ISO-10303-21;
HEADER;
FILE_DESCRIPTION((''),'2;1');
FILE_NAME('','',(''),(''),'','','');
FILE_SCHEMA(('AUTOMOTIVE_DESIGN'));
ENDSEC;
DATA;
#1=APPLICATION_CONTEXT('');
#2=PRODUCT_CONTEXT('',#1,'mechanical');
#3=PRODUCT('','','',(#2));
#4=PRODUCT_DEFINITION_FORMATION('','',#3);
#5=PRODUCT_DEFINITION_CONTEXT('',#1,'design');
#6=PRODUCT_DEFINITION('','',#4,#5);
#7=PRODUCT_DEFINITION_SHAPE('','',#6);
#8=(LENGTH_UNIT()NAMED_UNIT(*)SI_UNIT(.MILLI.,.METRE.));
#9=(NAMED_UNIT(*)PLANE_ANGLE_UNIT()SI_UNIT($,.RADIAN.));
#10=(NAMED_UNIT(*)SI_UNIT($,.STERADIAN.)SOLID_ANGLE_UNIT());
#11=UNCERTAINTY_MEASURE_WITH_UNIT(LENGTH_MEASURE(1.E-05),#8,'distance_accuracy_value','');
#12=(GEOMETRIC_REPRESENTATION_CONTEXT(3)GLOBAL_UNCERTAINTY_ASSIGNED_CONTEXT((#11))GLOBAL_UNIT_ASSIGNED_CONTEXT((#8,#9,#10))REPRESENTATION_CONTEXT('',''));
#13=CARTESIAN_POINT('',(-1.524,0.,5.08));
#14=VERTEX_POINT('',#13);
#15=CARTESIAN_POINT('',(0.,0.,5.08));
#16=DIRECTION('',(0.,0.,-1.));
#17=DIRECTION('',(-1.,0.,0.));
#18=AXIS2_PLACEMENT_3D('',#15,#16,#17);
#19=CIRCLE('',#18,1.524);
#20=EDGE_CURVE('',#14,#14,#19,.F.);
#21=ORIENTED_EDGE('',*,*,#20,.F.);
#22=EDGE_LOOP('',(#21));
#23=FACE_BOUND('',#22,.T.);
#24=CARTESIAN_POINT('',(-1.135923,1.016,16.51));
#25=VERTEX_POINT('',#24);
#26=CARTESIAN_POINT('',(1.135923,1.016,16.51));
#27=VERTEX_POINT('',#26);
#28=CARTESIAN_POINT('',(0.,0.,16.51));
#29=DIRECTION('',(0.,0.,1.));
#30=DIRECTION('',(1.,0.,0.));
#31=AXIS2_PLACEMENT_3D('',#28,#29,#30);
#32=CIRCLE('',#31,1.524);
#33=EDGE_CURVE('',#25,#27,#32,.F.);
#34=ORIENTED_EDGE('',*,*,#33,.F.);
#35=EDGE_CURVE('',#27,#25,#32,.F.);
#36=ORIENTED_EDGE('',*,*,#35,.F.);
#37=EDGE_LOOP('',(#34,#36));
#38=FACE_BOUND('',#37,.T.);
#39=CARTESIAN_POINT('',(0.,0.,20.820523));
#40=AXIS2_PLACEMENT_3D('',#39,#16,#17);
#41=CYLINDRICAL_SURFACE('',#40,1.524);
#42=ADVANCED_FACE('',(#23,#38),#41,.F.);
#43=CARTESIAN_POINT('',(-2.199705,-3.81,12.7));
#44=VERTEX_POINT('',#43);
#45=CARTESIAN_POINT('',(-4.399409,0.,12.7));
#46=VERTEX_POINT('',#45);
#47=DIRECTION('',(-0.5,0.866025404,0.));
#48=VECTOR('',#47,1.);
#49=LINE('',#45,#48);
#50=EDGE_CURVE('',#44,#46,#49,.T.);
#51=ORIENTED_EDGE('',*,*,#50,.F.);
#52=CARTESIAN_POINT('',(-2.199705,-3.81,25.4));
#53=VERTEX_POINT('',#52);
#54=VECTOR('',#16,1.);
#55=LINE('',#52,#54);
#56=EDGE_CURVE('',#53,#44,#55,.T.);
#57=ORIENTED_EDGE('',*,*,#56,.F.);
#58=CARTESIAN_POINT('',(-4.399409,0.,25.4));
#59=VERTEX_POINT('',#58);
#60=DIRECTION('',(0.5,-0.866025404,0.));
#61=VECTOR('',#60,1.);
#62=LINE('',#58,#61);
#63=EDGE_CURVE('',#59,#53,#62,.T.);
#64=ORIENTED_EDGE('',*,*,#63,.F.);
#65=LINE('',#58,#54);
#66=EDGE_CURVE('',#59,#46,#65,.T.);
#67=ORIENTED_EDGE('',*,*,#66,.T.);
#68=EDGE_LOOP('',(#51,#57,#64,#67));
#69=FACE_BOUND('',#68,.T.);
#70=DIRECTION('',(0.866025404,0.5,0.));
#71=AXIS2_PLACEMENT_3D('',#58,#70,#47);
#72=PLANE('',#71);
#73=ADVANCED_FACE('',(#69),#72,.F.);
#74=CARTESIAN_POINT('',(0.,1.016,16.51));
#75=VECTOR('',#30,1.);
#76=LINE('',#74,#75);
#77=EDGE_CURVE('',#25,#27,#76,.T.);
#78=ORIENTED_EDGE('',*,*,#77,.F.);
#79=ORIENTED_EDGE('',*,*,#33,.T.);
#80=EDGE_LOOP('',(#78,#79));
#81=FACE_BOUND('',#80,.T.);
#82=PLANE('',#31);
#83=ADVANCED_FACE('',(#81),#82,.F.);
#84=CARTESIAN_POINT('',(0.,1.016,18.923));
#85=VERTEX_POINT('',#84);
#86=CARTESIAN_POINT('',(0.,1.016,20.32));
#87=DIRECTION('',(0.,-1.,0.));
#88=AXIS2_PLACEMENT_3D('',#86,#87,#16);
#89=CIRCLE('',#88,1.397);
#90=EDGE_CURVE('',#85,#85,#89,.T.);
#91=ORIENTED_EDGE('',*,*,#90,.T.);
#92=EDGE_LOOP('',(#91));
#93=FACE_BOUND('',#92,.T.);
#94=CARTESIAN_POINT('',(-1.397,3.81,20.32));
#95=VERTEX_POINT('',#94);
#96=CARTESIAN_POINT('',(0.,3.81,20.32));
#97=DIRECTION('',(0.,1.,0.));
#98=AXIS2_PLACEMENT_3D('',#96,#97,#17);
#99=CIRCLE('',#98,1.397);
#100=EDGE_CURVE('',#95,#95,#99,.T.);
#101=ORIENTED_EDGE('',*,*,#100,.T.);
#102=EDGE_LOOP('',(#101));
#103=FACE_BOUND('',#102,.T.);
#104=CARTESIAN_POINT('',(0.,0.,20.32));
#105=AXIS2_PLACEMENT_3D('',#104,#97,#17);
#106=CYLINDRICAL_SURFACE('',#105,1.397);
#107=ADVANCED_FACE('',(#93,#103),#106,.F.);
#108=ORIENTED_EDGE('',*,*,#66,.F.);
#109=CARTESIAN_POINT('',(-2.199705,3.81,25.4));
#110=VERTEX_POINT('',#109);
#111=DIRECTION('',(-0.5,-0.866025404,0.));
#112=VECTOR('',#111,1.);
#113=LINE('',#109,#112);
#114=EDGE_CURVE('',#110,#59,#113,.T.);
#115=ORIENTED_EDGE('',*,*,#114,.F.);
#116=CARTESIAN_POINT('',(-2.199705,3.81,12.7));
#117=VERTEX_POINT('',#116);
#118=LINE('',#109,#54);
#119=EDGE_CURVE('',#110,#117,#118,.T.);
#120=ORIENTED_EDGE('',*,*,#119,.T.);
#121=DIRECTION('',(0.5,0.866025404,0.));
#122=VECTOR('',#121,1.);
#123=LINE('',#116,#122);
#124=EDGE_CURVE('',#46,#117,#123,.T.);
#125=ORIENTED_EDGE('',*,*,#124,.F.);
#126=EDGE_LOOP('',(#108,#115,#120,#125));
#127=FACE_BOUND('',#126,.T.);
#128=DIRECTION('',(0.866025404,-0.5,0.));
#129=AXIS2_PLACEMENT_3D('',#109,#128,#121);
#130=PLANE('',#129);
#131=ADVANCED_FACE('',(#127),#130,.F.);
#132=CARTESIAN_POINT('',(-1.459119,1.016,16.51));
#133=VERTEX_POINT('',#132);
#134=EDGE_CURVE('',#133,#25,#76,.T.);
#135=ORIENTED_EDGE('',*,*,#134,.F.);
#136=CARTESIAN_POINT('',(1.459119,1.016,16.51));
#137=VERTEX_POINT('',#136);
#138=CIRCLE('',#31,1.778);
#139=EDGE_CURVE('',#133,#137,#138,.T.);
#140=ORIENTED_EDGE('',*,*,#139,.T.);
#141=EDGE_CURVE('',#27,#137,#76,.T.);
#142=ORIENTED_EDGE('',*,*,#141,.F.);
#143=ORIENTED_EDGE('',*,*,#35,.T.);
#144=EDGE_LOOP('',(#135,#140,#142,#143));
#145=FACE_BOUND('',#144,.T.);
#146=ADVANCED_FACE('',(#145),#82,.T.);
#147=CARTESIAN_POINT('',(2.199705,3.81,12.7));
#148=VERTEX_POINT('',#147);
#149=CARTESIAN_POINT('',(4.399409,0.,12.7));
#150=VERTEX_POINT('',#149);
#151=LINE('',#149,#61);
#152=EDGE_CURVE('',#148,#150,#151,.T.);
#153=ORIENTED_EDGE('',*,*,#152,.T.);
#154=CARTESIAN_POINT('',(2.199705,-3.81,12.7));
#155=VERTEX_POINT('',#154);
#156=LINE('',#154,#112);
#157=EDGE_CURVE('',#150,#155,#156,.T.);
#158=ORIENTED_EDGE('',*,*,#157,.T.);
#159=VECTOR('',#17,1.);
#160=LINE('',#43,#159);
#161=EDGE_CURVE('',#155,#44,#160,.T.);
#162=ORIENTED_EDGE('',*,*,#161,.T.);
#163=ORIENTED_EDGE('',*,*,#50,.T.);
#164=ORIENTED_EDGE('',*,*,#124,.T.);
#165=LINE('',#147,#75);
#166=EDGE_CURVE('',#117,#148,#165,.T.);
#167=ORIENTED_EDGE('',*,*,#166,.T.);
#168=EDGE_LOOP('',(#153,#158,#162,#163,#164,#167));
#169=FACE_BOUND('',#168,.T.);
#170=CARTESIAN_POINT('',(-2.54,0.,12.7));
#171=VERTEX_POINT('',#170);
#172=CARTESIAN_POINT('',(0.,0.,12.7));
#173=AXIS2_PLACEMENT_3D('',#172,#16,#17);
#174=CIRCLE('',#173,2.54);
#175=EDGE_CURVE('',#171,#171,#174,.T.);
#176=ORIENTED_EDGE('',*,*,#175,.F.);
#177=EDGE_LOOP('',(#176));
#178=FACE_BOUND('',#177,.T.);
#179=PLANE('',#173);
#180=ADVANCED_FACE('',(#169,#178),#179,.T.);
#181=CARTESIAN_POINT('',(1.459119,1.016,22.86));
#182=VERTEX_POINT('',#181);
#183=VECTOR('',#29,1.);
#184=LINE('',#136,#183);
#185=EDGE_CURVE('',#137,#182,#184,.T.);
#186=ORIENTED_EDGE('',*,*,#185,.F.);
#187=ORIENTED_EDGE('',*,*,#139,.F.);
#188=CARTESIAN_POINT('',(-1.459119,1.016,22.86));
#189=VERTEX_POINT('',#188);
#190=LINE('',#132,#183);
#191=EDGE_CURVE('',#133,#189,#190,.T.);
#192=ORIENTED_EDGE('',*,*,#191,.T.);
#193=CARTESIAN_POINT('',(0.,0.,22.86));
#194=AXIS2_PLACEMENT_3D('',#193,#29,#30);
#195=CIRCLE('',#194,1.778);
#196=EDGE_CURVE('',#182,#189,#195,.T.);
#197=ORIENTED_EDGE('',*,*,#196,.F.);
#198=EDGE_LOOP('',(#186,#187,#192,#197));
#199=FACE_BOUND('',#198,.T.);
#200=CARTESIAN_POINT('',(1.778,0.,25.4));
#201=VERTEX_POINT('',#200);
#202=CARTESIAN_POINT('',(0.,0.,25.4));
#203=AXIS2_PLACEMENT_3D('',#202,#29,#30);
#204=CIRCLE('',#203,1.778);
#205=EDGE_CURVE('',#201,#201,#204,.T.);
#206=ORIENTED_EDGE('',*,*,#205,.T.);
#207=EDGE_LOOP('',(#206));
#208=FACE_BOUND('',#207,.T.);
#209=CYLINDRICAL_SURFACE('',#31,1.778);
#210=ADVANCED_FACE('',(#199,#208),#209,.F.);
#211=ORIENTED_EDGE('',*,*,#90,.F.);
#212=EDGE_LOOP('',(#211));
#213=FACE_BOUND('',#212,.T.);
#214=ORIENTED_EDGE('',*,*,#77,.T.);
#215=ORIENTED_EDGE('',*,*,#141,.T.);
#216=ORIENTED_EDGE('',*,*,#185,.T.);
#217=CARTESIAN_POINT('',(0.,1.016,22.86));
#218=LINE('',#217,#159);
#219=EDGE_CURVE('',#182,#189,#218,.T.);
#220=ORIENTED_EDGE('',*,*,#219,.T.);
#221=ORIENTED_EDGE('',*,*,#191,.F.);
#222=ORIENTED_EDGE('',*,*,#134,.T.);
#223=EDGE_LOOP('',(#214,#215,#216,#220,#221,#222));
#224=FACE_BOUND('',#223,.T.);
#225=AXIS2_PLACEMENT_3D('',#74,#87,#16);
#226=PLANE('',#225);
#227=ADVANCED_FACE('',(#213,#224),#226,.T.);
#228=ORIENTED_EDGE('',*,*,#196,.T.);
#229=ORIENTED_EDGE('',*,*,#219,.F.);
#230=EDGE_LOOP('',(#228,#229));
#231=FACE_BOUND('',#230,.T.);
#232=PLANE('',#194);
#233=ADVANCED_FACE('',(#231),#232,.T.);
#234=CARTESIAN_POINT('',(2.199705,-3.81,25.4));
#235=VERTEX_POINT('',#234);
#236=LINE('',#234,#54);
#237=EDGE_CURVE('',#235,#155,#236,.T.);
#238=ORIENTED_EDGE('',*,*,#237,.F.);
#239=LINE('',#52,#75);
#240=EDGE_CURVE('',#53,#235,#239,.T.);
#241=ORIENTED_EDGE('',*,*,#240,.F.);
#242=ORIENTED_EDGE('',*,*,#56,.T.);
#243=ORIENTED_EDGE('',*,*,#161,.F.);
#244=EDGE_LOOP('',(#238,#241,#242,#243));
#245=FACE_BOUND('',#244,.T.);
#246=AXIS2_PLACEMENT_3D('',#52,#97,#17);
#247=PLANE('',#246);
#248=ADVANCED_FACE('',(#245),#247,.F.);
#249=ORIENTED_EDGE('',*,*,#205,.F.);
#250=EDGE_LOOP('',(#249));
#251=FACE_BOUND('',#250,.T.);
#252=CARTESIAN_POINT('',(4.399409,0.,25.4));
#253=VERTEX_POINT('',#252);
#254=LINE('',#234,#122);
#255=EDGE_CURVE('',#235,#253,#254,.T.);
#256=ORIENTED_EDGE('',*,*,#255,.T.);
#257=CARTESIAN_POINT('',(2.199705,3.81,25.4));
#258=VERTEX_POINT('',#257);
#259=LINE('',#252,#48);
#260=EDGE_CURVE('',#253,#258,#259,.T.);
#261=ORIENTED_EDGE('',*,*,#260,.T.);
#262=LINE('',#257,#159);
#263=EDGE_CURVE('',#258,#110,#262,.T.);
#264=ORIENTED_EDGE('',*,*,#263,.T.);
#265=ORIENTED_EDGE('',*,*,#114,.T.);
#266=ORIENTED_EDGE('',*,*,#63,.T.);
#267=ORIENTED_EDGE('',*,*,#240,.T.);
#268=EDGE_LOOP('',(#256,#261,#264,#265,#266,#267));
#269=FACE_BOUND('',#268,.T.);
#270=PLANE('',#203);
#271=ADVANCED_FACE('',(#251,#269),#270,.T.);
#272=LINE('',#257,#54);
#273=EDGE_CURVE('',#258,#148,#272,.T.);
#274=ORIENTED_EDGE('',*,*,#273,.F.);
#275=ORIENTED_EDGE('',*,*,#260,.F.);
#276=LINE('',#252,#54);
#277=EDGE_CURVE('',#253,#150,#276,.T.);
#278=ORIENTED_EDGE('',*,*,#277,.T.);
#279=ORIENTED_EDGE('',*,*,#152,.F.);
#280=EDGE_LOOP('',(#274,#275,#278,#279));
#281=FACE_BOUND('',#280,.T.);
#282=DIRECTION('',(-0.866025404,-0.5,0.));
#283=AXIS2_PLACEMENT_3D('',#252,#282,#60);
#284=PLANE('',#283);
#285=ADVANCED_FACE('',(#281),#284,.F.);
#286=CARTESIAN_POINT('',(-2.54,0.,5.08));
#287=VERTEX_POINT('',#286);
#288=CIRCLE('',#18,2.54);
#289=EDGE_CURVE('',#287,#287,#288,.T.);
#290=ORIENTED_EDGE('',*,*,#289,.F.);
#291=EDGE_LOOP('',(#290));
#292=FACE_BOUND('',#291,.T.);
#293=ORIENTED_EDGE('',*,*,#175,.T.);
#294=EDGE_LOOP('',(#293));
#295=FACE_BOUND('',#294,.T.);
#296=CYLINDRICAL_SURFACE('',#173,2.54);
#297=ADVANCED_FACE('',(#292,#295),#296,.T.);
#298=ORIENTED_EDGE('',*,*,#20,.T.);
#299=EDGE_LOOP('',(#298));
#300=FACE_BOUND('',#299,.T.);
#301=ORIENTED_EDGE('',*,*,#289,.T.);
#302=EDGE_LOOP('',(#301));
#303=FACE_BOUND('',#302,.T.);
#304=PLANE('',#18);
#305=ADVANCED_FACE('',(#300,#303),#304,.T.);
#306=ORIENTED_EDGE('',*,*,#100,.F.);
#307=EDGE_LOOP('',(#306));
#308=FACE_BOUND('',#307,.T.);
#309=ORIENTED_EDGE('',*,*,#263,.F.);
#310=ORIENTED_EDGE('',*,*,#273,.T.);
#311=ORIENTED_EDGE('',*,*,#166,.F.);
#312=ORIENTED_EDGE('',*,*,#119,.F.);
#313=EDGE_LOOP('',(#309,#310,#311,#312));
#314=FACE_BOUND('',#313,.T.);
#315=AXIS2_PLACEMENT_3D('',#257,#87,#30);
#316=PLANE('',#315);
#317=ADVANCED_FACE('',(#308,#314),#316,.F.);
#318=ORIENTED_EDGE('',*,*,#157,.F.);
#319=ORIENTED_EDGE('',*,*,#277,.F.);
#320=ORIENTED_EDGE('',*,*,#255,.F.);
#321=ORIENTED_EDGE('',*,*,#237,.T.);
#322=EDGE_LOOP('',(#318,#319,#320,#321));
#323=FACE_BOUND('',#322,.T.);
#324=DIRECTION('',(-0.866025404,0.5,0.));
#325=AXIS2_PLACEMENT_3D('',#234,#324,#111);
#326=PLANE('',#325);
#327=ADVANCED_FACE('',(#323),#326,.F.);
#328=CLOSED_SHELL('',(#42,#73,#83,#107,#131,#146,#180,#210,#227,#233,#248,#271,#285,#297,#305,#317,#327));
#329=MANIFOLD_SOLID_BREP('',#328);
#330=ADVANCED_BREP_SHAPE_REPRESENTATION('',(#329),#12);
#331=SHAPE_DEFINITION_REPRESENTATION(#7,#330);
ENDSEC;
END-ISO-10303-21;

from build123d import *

# Parameters (mm, degrees)
BOSS_EXTRUDE1_DEPTH = 25.4
CUT_EXTRUDE1_DEPTH  = 8.89
SKETCH2_3_R         = 1.778
CUT_EXTRUDE2_DEPTH  = 2.54
SKETCH6_R           = 1.524
CUT_EXTRUDE3_DEPTH  = 16.51
SKETCH7_R           = 1.397
CUT_EXTRUDE4_DEPTH  = 3.81
SKETCH8_W           = 12.797374265
SKETCH8_H           = 12.133936035
CUT_EXTRUDE5_DEPTH  = 5.08
SKETCH9_R           = 5.447820482
SKETCH9_R_2         = 2.54
CUT_EXTRUDE6_DEPTH  = 7.62


with BuildPart() as part:
    # Sketch1 → Boss-Extrude1 (new body)
    with BuildSketch(Plane.XY):
        Polygon((2.199704526, 3.81), (-2.199704526, 3.81), (-4.399409051, 0), (-2.199704526, -3.81), (2.199704526, -3.81), (4.399409051, 0), align=None)
    extrude(amount=BOSS_EXTRUDE1_DEPTH)

    # Sketch2 → Cut-Extrude1 (cut)
    with BuildSketch(Plane.XY.offset(25.4)):
        with BuildLine():
            Line((1.459118912, 1.016), (-1.459118912, 1.016))
            ThreePointArc((-1.459118912, 1.016), (-0.532433364, -1.69640759), (1.778, 0))
            ThreePointArc((1.778, 0), (1.69640759, 0.532433364), (1.459118912, 1.016))
        make_face()
    extrude(amount=-CUT_EXTRUDE1_DEPTH, mode=Mode.SUBTRACT)

    # Sketch2<3> → Cut-Extrude2 (cut)
    with BuildSketch(Plane.XY.offset(25.4)):
        Circle(SKETCH2_3_R)
    extrude(amount=-CUT_EXTRUDE2_DEPTH, mode=Mode.SUBTRACT)

    # Sketch6 → Cut-Extrude3 (cut)
    with BuildSketch(Plane(origin=(0, 0, 0), x_dir=(-1, 0, 0), z_dir=(0, 0, -1))):
        Circle(SKETCH6_R)
    extrude(amount=-CUT_EXTRUDE3_DEPTH, mode=Mode.SUBTRACT)

    # Sketch7 → Cut-Extrude4 (cut)
    with BuildSketch(Plane(origin=(0, 3.81, 0), x_dir=(1, 0, 0), z_dir=(0, 1, 0))):
        with Locations((0, -20.32)):
            Circle(SKETCH7_R)
    extrude(amount=-CUT_EXTRUDE4_DEPTH, mode=Mode.SUBTRACT)

    # Sketch8 → Cut-Extrude5 (cut)
    with BuildSketch(Plane(origin=(0, 0, 0), x_dir=(-1, 0, 0), z_dir=(0, 0, -1))):
        with Locations((-0.392825268, 0.110181057)):
            Rectangle(SKETCH8_W, SKETCH8_H)
    extrude(amount=-CUT_EXTRUDE5_DEPTH, mode=Mode.SUBTRACT)

    # Sketch9 → Cut-Extrude6 (cut)
    with BuildSketch(Plane(origin=(0, 0, 5.08), x_dir=(-1, 0, 0), z_dir=(0, 0, -1))):
        Circle(SKETCH9_R)
        Circle(SKETCH9_R_2, mode=Mode.SUBTRACT)
    extrude(amount=-CUT_EXTRUDE6_DEPTH, mode=Mode.SUBTRACT)


solid = part.part
